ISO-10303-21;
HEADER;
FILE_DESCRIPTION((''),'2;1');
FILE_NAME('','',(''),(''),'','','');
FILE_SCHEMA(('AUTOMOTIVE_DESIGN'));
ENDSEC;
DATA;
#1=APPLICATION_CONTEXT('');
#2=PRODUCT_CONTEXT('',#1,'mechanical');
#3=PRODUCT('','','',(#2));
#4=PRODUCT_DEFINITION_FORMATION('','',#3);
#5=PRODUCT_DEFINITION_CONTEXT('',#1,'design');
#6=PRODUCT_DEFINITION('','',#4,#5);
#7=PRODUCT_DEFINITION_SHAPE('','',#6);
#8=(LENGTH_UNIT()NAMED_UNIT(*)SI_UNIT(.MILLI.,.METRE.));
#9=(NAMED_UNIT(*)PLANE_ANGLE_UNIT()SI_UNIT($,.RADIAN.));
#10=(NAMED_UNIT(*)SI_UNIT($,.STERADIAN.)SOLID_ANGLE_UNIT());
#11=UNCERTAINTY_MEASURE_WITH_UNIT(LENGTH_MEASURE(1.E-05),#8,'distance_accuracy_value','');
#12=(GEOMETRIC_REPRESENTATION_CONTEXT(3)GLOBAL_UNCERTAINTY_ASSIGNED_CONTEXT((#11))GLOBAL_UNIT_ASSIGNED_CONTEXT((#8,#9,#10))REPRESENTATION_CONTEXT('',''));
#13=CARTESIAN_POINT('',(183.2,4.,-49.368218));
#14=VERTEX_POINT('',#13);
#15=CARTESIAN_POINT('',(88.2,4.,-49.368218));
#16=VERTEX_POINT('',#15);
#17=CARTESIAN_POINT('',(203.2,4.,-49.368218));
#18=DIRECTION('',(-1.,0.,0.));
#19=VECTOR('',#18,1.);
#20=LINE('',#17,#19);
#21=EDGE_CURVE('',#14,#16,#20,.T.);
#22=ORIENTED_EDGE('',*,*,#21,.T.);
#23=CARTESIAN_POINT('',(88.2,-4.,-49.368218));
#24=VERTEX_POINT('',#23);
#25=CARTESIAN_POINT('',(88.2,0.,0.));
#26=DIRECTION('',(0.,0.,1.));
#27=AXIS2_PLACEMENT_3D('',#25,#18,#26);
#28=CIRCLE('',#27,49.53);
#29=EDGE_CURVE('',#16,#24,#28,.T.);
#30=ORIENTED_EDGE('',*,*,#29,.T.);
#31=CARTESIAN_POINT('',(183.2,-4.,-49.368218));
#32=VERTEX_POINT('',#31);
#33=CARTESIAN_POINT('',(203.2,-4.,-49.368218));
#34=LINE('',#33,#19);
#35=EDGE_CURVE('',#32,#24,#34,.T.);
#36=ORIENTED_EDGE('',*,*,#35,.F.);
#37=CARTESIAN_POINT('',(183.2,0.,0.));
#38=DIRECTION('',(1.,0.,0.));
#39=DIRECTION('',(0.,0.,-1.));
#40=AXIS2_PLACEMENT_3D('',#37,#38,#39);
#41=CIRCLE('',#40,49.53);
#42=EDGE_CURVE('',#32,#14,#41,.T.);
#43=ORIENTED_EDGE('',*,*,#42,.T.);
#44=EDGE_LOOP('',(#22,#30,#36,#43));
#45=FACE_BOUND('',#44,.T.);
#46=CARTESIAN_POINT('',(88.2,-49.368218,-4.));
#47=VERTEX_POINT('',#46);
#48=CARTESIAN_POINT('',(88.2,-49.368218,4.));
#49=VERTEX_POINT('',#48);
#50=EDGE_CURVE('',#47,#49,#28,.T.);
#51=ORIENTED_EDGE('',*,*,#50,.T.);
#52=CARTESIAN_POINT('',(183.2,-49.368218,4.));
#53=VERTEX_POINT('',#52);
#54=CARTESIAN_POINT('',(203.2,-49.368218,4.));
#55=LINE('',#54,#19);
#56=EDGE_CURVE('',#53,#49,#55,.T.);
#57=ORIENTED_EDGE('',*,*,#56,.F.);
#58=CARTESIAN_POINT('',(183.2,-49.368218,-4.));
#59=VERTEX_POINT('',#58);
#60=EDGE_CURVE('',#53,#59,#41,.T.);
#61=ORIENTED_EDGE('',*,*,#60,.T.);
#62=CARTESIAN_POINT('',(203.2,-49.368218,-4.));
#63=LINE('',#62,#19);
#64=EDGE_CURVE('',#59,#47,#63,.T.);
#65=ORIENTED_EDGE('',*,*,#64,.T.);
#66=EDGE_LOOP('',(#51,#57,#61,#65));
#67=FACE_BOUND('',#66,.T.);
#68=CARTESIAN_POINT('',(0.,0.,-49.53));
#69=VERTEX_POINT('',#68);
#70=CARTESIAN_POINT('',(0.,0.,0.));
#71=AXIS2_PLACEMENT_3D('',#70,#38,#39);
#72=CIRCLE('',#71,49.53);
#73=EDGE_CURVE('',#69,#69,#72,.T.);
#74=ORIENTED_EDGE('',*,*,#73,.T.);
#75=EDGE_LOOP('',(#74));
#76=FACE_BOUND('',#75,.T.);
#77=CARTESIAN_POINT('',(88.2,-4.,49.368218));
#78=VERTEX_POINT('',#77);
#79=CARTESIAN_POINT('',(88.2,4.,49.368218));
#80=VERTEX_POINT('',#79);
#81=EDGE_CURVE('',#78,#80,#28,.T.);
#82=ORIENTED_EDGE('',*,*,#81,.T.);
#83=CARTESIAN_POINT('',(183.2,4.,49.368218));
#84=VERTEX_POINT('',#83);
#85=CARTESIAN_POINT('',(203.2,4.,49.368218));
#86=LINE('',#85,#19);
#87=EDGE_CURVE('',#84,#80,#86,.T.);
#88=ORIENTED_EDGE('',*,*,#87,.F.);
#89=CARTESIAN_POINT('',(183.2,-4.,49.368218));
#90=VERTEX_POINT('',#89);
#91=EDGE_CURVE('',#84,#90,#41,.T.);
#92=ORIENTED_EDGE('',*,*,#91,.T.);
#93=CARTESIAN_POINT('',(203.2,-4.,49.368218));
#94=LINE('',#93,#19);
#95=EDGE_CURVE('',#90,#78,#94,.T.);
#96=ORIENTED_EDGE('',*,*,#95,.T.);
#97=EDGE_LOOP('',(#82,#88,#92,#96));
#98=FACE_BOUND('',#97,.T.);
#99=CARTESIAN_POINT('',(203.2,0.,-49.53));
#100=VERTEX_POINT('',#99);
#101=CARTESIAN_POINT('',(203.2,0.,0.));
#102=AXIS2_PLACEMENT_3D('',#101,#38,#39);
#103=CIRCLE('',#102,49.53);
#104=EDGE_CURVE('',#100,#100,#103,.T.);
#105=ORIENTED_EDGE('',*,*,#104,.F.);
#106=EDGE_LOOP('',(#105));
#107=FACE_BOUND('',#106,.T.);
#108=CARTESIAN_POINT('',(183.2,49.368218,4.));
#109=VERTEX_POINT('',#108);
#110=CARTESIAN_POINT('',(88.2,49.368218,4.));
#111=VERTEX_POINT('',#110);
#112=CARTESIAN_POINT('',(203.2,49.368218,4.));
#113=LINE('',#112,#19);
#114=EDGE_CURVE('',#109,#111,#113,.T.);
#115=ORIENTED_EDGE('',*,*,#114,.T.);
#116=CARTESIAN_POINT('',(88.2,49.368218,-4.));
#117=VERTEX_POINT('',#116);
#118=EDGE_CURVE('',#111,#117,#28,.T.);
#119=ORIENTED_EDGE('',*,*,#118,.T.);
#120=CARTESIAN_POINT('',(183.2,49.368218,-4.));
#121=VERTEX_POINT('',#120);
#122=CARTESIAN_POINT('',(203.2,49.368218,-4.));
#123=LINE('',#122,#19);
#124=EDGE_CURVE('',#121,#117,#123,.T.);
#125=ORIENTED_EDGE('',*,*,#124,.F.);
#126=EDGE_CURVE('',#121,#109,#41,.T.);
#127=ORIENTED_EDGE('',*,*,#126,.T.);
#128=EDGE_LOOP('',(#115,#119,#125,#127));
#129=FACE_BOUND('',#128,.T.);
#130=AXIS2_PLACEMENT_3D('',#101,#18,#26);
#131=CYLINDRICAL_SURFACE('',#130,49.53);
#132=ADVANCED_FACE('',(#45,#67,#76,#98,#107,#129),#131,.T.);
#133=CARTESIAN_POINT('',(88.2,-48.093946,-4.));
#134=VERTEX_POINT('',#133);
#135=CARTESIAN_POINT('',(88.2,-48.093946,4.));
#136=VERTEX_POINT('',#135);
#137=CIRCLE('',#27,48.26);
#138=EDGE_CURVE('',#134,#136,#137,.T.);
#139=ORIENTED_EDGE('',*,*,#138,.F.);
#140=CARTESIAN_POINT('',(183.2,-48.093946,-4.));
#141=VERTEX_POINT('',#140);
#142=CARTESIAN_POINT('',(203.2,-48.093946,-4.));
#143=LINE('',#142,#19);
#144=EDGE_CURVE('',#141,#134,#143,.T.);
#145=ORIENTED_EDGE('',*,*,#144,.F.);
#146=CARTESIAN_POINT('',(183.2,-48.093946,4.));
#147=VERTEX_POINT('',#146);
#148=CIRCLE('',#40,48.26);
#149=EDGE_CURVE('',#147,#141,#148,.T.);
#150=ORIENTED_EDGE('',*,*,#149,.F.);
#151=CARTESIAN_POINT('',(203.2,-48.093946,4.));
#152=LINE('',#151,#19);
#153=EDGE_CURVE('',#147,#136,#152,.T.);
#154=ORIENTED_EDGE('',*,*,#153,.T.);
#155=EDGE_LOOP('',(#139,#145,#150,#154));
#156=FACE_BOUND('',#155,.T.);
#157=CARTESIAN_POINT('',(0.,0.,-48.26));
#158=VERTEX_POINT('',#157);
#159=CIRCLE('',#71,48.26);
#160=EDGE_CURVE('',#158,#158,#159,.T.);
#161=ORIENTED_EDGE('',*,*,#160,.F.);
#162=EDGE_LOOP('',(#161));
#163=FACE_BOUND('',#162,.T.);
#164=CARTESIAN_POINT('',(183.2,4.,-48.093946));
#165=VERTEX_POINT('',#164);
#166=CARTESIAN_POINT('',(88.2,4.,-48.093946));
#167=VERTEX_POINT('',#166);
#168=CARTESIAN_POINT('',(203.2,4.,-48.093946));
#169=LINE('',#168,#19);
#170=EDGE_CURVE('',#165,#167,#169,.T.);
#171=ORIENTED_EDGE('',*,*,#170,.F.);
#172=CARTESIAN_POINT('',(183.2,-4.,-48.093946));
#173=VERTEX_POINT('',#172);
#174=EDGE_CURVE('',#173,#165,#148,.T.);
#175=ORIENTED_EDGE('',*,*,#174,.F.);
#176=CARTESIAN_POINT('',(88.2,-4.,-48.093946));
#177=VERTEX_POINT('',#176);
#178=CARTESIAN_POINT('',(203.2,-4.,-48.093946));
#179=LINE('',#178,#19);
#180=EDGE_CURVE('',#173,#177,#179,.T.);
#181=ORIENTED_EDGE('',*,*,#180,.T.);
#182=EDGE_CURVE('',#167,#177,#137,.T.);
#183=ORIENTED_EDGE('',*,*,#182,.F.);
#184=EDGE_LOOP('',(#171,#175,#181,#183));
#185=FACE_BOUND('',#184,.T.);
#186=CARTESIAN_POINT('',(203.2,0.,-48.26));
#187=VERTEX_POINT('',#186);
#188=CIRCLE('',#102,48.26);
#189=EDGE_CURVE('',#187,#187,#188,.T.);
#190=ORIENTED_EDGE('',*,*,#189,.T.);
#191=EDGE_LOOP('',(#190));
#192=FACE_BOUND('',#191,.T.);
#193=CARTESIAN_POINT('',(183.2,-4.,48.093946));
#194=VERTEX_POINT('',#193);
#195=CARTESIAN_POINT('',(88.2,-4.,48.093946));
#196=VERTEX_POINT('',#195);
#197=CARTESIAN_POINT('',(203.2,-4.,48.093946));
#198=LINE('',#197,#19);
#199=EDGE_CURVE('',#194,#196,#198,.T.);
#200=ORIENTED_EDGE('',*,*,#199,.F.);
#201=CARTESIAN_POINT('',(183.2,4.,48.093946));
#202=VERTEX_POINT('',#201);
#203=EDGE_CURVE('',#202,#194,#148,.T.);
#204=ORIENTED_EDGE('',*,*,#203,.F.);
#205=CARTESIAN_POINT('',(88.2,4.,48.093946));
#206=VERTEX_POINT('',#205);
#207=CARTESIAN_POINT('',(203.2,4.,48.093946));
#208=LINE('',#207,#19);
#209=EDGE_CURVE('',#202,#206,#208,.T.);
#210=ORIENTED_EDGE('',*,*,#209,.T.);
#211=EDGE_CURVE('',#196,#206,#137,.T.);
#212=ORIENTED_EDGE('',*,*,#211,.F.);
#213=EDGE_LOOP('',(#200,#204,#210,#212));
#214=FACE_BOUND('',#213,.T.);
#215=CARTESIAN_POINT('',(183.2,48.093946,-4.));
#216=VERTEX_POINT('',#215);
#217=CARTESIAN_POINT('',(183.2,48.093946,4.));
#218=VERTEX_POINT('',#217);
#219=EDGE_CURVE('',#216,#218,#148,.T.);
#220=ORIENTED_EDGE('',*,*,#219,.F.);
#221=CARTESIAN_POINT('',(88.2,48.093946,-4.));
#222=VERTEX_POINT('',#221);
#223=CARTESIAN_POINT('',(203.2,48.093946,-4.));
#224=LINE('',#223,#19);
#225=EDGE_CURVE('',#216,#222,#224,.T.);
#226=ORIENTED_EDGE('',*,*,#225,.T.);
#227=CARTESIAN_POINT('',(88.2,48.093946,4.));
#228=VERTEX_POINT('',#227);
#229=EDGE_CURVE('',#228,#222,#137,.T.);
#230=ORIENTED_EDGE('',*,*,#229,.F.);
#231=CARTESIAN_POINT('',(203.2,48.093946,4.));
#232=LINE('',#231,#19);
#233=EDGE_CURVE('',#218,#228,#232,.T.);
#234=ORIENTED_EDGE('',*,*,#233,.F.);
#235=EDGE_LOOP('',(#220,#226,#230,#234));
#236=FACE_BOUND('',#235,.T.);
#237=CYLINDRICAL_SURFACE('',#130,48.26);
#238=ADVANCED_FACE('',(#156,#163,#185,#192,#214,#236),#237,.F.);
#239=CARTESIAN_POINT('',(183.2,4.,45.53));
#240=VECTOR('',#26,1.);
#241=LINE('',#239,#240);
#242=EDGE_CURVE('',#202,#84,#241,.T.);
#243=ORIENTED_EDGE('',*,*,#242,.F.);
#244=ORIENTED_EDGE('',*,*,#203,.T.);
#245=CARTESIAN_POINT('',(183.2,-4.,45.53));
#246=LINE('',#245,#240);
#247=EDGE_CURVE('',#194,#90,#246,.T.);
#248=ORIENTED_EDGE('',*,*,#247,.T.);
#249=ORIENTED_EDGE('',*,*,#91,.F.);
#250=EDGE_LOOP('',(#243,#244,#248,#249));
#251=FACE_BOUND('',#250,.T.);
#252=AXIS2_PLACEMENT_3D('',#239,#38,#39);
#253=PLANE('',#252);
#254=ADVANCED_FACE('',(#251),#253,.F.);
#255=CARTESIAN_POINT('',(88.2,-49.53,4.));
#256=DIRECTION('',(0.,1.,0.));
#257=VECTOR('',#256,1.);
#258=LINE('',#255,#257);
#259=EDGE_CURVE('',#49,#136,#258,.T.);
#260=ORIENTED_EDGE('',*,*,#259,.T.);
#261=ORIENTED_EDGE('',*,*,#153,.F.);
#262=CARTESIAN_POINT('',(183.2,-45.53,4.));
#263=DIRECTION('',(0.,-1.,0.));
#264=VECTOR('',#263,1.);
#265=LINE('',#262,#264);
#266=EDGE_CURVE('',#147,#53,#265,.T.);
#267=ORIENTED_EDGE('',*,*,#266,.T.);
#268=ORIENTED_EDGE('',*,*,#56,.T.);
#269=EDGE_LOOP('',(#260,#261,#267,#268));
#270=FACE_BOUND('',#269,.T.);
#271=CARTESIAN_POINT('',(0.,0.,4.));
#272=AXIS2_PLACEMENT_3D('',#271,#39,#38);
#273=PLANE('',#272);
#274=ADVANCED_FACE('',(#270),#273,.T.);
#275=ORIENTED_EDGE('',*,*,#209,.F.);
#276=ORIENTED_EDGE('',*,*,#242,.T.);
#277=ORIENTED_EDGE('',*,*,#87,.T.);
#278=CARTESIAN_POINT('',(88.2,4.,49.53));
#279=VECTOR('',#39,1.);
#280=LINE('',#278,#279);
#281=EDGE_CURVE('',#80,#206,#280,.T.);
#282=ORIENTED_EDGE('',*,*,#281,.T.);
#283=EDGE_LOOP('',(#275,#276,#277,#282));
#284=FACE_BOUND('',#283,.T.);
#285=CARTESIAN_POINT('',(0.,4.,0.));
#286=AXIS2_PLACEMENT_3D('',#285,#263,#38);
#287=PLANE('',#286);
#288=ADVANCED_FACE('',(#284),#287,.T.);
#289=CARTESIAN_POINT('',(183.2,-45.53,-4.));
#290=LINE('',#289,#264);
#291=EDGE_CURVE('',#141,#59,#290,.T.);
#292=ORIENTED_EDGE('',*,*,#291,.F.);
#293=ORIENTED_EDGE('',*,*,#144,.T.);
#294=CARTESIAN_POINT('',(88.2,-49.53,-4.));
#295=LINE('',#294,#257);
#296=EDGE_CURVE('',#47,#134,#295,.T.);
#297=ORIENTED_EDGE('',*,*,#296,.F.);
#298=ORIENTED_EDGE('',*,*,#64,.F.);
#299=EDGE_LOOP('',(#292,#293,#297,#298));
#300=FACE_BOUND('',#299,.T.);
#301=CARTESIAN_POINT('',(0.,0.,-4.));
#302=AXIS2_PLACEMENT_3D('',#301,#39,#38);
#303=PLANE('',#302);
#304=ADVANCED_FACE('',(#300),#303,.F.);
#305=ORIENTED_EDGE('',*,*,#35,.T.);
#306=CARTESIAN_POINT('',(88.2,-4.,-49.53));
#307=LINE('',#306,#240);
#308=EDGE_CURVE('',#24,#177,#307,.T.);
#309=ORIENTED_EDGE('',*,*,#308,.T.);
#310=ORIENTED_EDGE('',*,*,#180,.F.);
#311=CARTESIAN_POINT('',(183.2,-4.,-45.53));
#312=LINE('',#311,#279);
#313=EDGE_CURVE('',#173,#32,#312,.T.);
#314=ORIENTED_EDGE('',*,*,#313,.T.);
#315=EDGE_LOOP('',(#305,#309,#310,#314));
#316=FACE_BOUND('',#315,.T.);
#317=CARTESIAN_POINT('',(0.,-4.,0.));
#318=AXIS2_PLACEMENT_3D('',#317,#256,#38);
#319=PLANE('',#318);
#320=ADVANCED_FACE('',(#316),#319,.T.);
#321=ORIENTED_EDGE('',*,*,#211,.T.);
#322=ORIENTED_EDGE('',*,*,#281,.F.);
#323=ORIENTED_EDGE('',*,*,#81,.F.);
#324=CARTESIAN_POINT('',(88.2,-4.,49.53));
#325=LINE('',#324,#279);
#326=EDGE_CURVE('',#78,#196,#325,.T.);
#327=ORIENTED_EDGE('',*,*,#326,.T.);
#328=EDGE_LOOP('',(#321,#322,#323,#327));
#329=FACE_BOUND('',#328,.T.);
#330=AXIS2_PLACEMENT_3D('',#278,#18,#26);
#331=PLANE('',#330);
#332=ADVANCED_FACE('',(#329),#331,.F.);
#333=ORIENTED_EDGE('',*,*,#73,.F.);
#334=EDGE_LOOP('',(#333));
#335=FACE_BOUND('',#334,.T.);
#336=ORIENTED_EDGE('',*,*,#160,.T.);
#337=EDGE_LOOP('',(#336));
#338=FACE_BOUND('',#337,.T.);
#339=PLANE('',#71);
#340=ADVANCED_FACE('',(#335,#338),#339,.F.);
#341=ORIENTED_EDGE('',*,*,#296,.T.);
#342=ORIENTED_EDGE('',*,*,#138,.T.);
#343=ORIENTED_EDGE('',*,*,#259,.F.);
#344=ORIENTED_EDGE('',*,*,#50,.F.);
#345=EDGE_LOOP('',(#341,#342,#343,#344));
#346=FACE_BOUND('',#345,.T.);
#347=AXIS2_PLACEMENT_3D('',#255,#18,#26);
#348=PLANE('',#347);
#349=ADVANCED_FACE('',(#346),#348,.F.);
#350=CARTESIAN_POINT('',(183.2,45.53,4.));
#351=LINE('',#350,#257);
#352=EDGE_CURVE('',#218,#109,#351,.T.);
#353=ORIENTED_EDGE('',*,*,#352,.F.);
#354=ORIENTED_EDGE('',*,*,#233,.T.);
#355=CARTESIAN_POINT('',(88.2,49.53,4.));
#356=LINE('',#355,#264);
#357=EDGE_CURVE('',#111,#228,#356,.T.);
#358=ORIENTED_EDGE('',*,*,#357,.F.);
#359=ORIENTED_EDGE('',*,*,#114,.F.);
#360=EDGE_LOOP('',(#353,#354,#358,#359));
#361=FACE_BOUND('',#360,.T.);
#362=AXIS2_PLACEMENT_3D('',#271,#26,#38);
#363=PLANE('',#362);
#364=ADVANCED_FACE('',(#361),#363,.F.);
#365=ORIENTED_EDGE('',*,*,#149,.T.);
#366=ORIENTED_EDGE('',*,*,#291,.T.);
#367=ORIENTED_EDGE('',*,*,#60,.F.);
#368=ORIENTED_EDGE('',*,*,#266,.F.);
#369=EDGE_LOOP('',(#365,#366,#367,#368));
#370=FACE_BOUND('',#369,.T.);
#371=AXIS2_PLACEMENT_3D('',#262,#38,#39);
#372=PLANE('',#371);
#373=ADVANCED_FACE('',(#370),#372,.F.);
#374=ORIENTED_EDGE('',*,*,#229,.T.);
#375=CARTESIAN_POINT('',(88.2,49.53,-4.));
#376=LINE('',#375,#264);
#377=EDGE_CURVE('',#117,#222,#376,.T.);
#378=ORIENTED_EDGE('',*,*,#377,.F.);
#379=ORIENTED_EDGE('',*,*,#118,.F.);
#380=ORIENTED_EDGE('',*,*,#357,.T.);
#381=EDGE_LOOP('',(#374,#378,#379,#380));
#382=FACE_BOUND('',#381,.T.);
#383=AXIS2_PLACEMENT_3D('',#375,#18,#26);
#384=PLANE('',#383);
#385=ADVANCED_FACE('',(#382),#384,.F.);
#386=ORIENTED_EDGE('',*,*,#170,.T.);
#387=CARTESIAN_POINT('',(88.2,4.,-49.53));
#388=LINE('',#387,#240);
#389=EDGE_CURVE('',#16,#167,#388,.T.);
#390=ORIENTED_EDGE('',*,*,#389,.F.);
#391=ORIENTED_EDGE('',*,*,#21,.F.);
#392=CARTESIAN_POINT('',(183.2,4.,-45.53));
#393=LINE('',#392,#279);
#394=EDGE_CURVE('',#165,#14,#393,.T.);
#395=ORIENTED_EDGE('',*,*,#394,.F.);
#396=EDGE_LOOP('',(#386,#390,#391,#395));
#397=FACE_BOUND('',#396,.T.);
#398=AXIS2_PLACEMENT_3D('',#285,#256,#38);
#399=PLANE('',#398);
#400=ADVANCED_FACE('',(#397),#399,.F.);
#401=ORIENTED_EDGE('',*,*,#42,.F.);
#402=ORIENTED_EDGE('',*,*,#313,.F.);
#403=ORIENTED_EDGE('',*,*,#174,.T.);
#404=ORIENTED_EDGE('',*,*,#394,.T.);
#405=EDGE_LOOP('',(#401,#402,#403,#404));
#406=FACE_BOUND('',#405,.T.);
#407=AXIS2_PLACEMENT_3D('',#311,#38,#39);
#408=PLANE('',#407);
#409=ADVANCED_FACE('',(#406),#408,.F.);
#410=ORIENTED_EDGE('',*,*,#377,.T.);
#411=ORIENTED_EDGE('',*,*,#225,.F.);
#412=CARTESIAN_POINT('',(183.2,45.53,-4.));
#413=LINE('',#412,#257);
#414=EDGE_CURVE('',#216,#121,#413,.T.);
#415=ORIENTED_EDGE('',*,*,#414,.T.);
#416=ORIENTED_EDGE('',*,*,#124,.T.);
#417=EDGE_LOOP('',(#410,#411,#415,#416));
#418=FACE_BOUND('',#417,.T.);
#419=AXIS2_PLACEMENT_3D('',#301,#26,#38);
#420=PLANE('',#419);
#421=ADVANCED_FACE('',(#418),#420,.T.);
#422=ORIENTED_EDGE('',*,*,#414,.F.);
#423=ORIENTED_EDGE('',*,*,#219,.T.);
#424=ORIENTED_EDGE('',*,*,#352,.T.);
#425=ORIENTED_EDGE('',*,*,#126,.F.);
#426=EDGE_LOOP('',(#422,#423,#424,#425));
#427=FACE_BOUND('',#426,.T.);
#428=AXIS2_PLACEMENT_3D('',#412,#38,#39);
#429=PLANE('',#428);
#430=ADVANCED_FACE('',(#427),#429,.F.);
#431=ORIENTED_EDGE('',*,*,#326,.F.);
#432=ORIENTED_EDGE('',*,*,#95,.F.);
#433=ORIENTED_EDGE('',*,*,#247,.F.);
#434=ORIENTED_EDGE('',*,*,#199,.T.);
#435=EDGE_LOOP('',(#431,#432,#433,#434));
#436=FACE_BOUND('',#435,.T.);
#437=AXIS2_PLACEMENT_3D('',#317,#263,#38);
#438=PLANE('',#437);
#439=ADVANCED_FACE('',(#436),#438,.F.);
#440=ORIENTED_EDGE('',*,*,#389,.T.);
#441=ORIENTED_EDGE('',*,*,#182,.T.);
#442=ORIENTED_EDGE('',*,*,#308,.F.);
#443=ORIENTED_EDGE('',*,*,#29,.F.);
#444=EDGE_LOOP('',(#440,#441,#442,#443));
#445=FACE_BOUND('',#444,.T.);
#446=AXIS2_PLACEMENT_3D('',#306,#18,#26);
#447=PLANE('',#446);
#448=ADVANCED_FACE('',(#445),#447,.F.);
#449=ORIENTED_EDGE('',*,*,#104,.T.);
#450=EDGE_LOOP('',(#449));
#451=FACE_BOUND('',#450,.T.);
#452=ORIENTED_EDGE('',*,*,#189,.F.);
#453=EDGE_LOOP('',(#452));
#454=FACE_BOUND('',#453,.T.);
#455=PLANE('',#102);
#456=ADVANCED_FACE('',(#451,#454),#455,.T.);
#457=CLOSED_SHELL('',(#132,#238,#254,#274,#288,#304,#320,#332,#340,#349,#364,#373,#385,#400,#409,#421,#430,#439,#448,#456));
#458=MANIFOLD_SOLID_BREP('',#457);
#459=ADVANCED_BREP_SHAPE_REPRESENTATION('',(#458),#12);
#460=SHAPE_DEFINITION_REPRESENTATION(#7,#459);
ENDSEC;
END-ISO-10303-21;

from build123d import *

# Parameters (mm, degrees)
SKETCH2_R           = 49.53
SKETCH2_R_2         = 48.26
BOSS_EXTRUDE1_DEPTH = 203.2
SKETCH4_W           = 95
SKETCH4_H           = 4
CUT_EXTRUDE1_DEPTH  = 4
CIRPATTERN1_COUNT   = 4


with BuildPart() as part:
    # Sketch2 → Boss-Extrude1 (new body)
    with BuildSketch(Plane(origin=(0, 0, 0), x_dir=(0, 0, -1), z_dir=(1, 0, 0))):
        Circle(SKETCH2_R)
        Circle(SKETCH2_R_2, mode=Mode.SUBTRACT)
    extrude(amount=BOSS_EXTRUDE1_DEPTH)

    # Sketch4 → Cut-Extrude1 (cut, symmetric)
    with BuildSketch(Plane.XY):
        with Locations((135.7, 47.53)):
            Rectangle(SKETCH4_W, SKETCH4_H)
    cut_extrude1 = extrude(amount=CUT_EXTRUDE1_DEPTH, both=True, mode=Mode.SUBTRACT)

    # CirPattern1: Cut-Extrude1 ×4 about axis
    cirpattern1_axis = Axis((0, 0, 0), (1, 0, 0))
    for i in range(1, CIRPATTERN1_COUNT):
        add(cut_extrude1.rotate(cirpattern1_axis, i * 360 / CIRPATTERN1_COUNT), mode=Mode.SUBTRACT)


solid = part.part
